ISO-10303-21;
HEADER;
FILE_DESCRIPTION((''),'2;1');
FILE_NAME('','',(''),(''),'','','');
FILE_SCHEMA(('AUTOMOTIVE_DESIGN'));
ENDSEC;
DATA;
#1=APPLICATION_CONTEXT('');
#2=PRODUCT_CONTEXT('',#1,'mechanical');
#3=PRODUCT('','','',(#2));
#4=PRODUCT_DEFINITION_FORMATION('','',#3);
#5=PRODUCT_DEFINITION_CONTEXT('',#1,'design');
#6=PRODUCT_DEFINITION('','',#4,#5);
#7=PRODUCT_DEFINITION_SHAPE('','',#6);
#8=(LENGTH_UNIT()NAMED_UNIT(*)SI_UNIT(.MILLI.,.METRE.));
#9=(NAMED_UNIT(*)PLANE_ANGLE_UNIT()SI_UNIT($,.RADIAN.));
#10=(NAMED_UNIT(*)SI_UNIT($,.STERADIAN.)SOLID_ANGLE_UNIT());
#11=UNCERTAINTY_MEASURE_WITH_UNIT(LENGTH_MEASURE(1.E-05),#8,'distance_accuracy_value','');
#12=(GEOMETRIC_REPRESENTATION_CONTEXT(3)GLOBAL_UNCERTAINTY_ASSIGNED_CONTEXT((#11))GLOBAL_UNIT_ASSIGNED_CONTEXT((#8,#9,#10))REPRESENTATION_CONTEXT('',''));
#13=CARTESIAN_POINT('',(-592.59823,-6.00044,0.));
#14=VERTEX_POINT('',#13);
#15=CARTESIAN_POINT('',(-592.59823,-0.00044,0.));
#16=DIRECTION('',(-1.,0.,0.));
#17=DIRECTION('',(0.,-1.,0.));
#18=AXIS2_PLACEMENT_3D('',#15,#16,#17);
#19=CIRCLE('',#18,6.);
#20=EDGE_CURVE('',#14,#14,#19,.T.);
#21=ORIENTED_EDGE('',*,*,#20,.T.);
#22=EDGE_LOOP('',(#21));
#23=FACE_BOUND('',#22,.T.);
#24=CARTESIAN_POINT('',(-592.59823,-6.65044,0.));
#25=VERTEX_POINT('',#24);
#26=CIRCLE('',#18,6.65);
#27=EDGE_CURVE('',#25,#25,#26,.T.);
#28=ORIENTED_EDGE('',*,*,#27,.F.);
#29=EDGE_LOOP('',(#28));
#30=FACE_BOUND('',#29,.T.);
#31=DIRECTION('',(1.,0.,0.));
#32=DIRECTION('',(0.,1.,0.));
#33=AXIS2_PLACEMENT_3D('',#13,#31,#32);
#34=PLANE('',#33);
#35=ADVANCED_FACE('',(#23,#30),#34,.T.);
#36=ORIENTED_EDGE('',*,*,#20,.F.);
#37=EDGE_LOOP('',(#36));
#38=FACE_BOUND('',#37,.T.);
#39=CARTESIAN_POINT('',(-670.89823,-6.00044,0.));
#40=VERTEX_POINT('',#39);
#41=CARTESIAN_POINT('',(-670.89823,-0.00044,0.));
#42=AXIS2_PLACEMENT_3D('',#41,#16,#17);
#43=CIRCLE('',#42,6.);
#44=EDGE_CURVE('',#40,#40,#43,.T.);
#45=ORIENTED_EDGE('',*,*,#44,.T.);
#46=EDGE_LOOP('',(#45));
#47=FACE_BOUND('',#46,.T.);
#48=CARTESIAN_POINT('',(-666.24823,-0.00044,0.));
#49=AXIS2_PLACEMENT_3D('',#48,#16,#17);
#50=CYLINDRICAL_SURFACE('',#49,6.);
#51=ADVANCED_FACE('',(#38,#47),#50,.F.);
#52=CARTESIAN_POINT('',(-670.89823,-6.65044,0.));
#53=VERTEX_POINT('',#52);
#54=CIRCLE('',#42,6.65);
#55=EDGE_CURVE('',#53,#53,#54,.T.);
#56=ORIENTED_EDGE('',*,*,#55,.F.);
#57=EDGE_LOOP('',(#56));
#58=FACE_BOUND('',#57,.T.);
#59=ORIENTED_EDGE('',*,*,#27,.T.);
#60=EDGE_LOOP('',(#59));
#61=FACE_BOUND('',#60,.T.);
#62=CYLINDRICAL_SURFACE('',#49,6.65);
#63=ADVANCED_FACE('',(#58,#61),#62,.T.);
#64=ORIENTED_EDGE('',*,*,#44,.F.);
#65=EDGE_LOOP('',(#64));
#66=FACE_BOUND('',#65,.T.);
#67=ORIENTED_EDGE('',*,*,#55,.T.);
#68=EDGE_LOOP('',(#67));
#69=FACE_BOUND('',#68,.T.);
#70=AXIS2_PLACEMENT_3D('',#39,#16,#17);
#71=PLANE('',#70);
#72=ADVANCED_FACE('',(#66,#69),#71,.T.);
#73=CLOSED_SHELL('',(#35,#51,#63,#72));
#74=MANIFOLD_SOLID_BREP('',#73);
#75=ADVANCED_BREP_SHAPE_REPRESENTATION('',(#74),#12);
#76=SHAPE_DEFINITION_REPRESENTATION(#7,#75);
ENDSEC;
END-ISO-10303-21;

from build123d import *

# Parameters (mm, degrees)
SKETCH1_W = 78.3
SKETCH1_H = 0.65


with BuildPart() as part:
    # Sketch1 → Revolve1 (revolve)
    with BuildSketch(Plane.XY):
        with Locations((-631.748230203, -6.325440289)):
            Rectangle(SKETCH1_W, SKETCH1_H)
    revolve(axis=Axis((-666.248230203, -0.000440289, 0), (1, 0, 0)))


solid = part.part
